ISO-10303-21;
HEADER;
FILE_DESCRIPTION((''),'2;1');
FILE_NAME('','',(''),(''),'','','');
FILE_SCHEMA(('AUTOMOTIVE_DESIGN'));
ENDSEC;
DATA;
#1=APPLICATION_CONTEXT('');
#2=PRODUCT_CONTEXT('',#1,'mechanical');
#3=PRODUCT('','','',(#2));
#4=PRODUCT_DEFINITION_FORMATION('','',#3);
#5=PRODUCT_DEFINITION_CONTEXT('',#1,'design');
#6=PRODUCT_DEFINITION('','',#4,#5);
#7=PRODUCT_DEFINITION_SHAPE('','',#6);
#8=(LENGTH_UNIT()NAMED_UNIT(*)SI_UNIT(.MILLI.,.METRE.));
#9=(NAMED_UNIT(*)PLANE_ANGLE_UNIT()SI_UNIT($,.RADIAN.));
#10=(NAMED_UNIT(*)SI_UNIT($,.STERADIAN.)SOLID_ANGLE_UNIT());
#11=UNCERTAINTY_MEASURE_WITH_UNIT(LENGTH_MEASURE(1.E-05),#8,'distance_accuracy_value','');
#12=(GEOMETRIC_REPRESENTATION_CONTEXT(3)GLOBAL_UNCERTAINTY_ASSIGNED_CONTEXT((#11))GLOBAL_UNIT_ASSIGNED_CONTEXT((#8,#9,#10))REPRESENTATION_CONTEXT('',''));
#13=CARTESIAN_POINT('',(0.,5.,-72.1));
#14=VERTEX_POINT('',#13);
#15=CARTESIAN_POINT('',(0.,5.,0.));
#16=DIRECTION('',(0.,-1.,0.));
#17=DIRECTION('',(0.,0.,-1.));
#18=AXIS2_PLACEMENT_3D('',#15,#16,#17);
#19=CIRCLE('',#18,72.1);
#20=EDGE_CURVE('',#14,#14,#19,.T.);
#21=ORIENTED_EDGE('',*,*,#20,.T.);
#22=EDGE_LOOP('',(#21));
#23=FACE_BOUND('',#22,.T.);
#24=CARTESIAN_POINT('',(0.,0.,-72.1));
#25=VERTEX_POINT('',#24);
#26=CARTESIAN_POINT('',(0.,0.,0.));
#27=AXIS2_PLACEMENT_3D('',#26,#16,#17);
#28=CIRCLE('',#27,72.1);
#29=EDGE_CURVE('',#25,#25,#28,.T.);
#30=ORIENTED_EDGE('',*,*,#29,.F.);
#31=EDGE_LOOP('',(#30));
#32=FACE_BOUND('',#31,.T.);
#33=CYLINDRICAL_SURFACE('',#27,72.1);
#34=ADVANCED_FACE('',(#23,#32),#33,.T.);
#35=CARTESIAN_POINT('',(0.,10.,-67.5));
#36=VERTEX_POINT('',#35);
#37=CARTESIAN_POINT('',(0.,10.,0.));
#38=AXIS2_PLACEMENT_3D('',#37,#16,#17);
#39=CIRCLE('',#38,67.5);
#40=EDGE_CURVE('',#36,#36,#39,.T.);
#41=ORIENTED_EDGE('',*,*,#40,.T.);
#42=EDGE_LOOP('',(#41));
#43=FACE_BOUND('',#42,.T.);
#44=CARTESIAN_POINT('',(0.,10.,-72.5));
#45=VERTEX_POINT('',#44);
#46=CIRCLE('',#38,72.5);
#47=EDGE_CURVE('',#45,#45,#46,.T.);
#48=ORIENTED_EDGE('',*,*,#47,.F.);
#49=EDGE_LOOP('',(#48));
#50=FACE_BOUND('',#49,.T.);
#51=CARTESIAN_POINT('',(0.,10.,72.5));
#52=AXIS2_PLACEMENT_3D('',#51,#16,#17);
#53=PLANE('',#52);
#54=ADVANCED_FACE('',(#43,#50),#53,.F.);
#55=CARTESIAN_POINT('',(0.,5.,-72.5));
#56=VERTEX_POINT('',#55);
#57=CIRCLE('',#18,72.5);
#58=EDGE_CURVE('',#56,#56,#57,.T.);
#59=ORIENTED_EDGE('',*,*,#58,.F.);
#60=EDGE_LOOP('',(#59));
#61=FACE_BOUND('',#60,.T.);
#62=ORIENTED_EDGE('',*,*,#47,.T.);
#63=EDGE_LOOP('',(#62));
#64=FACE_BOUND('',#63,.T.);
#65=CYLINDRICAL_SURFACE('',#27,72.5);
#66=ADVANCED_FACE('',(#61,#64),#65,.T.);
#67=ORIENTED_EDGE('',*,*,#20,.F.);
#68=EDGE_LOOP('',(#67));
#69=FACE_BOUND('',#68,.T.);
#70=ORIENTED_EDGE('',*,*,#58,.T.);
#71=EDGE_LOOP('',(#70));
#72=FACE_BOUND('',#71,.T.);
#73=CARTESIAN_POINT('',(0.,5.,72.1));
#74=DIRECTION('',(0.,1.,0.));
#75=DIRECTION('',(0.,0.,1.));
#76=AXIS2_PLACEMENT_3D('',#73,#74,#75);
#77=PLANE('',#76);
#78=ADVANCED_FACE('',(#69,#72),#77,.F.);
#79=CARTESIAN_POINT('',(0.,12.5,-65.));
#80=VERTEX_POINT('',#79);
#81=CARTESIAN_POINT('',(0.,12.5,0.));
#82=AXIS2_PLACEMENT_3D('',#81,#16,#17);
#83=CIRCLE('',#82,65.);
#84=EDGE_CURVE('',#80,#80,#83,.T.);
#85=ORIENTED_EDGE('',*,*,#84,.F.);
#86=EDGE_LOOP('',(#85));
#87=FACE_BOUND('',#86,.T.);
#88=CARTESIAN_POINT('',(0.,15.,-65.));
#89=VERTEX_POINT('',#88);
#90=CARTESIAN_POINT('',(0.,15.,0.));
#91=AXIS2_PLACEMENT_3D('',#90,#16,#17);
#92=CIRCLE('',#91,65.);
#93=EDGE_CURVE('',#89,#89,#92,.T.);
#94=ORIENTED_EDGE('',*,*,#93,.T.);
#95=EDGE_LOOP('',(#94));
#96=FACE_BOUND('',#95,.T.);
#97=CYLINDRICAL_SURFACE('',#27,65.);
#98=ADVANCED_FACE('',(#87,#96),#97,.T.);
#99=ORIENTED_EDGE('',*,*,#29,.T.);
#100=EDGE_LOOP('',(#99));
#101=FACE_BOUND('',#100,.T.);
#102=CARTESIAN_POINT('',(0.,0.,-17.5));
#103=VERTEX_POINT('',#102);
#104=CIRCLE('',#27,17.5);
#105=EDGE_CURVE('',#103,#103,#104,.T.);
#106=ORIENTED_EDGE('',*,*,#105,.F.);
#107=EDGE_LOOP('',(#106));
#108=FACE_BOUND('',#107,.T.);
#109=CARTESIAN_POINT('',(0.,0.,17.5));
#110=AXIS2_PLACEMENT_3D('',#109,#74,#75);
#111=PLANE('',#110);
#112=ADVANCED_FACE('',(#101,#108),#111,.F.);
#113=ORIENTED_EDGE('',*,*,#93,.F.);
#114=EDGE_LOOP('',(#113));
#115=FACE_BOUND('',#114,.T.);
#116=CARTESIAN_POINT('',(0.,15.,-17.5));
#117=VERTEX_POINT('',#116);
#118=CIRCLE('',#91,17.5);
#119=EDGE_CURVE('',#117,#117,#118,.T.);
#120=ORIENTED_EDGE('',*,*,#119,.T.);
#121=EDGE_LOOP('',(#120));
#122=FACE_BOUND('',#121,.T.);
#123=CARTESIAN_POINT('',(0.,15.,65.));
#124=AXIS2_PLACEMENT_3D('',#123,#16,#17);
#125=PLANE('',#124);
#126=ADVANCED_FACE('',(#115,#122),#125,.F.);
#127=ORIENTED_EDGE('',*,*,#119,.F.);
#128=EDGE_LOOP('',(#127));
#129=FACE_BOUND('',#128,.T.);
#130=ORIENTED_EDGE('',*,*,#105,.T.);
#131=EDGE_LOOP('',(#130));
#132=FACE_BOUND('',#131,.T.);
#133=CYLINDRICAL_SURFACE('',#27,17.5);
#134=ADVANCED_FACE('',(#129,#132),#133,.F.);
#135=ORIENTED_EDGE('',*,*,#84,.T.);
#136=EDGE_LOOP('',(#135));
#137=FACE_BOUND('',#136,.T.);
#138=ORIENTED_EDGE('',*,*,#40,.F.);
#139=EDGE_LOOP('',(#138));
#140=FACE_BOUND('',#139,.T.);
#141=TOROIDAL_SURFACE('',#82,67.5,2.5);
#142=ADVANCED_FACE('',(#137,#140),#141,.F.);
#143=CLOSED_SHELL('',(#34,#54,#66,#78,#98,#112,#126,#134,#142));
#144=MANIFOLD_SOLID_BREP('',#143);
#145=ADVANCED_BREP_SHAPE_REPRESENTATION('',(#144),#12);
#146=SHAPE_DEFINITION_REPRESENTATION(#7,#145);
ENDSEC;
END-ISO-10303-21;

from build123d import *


with BuildPart() as part:
    # 草图1 → 旋转1 (revolve)
    with BuildSketch(Plane(origin=(0, 0, 0), x_dir=(0, 0, -1), z_dir=(1, 0, 0)), mode=Mode.PRIVATE) as revolve_1_sk:
        with BuildLine():
            Line((-17.5, 15), (-17.5, 0))
            Line((-17.5, 0), (-72.1, 0))
            Line((-72.1, 0), (-72.1, 5))
            Line((-72.1, 5), (-72.5, 5))
            Line((-72.5, 5), (-72.5, 10))
            Line((-72.5, 10), (-67.5, 10))
            ThreePointArc((-67.5, 10), (-65.732233047, 10.732233047), (-65, 12.5))
            Line((-65, 12.5), (-65, 15))
            Line((-65, 15), (-17.5, 15))
        make_face()
    revolve(revolve_1_sk.sketch.rotate(Axis((0, 0, 0), (0, 1, 0)), 180), axis=Axis((0, 0, 0), (0, 1, 0)))


solid = part.part
